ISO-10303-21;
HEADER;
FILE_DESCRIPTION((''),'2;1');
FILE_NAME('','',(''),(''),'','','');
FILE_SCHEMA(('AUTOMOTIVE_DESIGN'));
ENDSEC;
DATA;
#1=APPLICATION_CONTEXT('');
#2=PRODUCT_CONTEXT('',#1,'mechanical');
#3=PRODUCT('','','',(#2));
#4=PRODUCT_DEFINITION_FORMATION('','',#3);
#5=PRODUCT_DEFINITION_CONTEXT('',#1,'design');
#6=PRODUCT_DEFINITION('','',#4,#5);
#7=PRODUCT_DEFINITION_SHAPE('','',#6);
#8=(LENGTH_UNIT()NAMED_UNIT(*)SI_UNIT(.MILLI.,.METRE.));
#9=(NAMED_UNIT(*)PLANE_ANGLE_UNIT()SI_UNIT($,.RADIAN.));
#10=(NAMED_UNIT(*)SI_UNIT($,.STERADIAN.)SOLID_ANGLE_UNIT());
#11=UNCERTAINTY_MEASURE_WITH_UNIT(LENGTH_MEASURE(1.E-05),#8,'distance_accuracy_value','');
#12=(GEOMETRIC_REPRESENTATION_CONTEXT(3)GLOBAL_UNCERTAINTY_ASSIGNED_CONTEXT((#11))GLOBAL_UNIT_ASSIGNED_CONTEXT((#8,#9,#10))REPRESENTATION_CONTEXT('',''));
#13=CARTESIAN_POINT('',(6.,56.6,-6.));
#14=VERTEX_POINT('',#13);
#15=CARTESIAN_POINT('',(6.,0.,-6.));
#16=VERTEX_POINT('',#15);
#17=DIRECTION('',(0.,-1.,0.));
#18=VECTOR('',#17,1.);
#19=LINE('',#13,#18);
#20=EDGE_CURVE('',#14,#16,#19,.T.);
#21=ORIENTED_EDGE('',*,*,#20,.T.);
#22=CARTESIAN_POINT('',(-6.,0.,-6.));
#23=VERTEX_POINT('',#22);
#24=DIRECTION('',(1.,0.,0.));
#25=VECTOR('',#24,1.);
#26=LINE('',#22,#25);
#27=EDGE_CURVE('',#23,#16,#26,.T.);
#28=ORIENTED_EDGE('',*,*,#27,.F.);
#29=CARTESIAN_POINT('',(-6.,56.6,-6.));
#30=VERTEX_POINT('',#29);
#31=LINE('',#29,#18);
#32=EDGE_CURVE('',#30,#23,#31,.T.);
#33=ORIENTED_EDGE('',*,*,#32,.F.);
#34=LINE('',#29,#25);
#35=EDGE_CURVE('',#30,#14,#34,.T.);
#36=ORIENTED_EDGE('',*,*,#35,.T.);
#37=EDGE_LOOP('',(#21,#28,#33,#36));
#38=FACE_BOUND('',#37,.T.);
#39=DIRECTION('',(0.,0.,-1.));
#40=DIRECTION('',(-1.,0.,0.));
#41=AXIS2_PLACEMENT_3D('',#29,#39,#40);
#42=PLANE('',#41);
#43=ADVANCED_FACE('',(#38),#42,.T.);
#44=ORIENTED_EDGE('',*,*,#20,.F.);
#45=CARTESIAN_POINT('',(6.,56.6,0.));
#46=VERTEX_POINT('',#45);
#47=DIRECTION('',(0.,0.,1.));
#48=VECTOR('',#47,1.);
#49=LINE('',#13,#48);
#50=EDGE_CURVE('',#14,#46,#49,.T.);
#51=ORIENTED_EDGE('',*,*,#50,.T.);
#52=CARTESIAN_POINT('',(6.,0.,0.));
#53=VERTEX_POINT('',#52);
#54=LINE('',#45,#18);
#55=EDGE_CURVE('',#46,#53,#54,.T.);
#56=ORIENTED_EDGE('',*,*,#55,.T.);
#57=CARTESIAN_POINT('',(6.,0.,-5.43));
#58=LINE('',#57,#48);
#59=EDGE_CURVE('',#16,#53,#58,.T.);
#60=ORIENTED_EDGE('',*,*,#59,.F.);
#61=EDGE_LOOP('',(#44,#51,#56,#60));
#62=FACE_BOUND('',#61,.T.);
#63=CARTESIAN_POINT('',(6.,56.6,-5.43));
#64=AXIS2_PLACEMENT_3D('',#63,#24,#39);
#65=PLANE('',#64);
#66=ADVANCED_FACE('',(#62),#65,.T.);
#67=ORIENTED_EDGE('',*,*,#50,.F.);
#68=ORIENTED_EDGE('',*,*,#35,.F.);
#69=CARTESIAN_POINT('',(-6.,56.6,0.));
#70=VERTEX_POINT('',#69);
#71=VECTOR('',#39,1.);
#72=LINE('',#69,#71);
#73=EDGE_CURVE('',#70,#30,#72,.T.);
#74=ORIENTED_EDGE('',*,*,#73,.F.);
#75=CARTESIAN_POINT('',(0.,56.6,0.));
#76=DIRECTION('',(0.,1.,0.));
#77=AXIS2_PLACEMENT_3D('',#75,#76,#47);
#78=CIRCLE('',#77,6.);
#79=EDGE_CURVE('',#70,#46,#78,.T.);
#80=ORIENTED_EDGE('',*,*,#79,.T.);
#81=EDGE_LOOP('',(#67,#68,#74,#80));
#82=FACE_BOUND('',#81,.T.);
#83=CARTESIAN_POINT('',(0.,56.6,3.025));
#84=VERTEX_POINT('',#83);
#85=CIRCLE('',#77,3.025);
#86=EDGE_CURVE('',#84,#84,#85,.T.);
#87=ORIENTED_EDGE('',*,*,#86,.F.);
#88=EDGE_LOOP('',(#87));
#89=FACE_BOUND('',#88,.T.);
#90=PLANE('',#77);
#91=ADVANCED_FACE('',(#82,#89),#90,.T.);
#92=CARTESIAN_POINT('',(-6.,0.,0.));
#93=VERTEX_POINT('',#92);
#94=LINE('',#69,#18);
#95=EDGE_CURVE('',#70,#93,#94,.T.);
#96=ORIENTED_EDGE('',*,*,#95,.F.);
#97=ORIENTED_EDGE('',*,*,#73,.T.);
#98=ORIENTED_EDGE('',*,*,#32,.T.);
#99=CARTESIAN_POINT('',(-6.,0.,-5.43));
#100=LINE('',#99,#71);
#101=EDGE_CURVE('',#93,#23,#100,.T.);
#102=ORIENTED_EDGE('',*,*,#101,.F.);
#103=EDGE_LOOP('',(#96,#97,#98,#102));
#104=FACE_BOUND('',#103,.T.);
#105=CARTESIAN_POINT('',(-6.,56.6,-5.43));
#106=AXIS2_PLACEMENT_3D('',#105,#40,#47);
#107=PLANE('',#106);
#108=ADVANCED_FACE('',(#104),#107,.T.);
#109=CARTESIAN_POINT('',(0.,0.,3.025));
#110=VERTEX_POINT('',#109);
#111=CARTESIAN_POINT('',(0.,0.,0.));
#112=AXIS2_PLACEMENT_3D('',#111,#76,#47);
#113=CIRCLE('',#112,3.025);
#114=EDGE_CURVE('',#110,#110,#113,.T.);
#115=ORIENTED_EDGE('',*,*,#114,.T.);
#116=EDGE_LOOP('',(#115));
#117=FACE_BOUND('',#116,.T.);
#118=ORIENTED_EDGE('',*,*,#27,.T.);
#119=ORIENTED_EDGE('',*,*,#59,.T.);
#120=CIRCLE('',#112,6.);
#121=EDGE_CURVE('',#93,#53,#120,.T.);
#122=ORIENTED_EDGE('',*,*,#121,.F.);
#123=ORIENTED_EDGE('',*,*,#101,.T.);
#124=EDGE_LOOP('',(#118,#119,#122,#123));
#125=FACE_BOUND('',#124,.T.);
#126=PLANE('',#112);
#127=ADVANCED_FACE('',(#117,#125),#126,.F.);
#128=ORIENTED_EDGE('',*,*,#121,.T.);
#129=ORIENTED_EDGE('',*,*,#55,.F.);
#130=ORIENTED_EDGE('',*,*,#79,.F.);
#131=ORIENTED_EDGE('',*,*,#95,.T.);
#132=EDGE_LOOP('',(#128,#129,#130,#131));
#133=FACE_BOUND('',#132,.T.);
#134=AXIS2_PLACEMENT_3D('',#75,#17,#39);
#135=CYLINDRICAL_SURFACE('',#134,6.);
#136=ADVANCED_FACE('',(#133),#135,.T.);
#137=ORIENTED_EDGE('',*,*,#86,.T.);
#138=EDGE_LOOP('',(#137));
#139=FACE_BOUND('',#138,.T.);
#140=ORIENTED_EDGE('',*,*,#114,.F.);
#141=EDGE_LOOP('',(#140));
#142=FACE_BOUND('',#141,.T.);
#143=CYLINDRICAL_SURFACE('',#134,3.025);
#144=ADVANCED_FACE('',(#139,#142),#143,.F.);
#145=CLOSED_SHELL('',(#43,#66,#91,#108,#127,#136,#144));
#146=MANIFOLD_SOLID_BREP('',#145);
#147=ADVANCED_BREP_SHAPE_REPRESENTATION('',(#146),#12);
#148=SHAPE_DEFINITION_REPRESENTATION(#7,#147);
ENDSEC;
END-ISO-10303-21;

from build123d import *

# Parameters (mm, degrees)
SKETCH1_R           = 3.025
BOSS_EXTRUDE1_DEPTH = 56.6


with BuildPart() as part:
    # Sketch1 → Boss-Extrude1 (new body)
    with BuildSketch(Plane(origin=(0, 0, 0), x_dir=(1, 0, 0), z_dir=(0, 1, 0))):
        with BuildLine():
            Line((-6, 0), (-6, 5.43))
            Line((-6, 5.43), (-6, 6))
            Line((-6, 6), (6, 6))
            Line((6, 6), (6, 5.43))
            Line((6, 5.43), (6, 0))
            ThreePointArc((6, 0), (0, -6), (-6, 0))
        make_face()
        Circle(SKETCH1_R, mode=Mode.SUBTRACT)
    extrude(amount=BOSS_EXTRUDE1_DEPTH)


solid = part.part
